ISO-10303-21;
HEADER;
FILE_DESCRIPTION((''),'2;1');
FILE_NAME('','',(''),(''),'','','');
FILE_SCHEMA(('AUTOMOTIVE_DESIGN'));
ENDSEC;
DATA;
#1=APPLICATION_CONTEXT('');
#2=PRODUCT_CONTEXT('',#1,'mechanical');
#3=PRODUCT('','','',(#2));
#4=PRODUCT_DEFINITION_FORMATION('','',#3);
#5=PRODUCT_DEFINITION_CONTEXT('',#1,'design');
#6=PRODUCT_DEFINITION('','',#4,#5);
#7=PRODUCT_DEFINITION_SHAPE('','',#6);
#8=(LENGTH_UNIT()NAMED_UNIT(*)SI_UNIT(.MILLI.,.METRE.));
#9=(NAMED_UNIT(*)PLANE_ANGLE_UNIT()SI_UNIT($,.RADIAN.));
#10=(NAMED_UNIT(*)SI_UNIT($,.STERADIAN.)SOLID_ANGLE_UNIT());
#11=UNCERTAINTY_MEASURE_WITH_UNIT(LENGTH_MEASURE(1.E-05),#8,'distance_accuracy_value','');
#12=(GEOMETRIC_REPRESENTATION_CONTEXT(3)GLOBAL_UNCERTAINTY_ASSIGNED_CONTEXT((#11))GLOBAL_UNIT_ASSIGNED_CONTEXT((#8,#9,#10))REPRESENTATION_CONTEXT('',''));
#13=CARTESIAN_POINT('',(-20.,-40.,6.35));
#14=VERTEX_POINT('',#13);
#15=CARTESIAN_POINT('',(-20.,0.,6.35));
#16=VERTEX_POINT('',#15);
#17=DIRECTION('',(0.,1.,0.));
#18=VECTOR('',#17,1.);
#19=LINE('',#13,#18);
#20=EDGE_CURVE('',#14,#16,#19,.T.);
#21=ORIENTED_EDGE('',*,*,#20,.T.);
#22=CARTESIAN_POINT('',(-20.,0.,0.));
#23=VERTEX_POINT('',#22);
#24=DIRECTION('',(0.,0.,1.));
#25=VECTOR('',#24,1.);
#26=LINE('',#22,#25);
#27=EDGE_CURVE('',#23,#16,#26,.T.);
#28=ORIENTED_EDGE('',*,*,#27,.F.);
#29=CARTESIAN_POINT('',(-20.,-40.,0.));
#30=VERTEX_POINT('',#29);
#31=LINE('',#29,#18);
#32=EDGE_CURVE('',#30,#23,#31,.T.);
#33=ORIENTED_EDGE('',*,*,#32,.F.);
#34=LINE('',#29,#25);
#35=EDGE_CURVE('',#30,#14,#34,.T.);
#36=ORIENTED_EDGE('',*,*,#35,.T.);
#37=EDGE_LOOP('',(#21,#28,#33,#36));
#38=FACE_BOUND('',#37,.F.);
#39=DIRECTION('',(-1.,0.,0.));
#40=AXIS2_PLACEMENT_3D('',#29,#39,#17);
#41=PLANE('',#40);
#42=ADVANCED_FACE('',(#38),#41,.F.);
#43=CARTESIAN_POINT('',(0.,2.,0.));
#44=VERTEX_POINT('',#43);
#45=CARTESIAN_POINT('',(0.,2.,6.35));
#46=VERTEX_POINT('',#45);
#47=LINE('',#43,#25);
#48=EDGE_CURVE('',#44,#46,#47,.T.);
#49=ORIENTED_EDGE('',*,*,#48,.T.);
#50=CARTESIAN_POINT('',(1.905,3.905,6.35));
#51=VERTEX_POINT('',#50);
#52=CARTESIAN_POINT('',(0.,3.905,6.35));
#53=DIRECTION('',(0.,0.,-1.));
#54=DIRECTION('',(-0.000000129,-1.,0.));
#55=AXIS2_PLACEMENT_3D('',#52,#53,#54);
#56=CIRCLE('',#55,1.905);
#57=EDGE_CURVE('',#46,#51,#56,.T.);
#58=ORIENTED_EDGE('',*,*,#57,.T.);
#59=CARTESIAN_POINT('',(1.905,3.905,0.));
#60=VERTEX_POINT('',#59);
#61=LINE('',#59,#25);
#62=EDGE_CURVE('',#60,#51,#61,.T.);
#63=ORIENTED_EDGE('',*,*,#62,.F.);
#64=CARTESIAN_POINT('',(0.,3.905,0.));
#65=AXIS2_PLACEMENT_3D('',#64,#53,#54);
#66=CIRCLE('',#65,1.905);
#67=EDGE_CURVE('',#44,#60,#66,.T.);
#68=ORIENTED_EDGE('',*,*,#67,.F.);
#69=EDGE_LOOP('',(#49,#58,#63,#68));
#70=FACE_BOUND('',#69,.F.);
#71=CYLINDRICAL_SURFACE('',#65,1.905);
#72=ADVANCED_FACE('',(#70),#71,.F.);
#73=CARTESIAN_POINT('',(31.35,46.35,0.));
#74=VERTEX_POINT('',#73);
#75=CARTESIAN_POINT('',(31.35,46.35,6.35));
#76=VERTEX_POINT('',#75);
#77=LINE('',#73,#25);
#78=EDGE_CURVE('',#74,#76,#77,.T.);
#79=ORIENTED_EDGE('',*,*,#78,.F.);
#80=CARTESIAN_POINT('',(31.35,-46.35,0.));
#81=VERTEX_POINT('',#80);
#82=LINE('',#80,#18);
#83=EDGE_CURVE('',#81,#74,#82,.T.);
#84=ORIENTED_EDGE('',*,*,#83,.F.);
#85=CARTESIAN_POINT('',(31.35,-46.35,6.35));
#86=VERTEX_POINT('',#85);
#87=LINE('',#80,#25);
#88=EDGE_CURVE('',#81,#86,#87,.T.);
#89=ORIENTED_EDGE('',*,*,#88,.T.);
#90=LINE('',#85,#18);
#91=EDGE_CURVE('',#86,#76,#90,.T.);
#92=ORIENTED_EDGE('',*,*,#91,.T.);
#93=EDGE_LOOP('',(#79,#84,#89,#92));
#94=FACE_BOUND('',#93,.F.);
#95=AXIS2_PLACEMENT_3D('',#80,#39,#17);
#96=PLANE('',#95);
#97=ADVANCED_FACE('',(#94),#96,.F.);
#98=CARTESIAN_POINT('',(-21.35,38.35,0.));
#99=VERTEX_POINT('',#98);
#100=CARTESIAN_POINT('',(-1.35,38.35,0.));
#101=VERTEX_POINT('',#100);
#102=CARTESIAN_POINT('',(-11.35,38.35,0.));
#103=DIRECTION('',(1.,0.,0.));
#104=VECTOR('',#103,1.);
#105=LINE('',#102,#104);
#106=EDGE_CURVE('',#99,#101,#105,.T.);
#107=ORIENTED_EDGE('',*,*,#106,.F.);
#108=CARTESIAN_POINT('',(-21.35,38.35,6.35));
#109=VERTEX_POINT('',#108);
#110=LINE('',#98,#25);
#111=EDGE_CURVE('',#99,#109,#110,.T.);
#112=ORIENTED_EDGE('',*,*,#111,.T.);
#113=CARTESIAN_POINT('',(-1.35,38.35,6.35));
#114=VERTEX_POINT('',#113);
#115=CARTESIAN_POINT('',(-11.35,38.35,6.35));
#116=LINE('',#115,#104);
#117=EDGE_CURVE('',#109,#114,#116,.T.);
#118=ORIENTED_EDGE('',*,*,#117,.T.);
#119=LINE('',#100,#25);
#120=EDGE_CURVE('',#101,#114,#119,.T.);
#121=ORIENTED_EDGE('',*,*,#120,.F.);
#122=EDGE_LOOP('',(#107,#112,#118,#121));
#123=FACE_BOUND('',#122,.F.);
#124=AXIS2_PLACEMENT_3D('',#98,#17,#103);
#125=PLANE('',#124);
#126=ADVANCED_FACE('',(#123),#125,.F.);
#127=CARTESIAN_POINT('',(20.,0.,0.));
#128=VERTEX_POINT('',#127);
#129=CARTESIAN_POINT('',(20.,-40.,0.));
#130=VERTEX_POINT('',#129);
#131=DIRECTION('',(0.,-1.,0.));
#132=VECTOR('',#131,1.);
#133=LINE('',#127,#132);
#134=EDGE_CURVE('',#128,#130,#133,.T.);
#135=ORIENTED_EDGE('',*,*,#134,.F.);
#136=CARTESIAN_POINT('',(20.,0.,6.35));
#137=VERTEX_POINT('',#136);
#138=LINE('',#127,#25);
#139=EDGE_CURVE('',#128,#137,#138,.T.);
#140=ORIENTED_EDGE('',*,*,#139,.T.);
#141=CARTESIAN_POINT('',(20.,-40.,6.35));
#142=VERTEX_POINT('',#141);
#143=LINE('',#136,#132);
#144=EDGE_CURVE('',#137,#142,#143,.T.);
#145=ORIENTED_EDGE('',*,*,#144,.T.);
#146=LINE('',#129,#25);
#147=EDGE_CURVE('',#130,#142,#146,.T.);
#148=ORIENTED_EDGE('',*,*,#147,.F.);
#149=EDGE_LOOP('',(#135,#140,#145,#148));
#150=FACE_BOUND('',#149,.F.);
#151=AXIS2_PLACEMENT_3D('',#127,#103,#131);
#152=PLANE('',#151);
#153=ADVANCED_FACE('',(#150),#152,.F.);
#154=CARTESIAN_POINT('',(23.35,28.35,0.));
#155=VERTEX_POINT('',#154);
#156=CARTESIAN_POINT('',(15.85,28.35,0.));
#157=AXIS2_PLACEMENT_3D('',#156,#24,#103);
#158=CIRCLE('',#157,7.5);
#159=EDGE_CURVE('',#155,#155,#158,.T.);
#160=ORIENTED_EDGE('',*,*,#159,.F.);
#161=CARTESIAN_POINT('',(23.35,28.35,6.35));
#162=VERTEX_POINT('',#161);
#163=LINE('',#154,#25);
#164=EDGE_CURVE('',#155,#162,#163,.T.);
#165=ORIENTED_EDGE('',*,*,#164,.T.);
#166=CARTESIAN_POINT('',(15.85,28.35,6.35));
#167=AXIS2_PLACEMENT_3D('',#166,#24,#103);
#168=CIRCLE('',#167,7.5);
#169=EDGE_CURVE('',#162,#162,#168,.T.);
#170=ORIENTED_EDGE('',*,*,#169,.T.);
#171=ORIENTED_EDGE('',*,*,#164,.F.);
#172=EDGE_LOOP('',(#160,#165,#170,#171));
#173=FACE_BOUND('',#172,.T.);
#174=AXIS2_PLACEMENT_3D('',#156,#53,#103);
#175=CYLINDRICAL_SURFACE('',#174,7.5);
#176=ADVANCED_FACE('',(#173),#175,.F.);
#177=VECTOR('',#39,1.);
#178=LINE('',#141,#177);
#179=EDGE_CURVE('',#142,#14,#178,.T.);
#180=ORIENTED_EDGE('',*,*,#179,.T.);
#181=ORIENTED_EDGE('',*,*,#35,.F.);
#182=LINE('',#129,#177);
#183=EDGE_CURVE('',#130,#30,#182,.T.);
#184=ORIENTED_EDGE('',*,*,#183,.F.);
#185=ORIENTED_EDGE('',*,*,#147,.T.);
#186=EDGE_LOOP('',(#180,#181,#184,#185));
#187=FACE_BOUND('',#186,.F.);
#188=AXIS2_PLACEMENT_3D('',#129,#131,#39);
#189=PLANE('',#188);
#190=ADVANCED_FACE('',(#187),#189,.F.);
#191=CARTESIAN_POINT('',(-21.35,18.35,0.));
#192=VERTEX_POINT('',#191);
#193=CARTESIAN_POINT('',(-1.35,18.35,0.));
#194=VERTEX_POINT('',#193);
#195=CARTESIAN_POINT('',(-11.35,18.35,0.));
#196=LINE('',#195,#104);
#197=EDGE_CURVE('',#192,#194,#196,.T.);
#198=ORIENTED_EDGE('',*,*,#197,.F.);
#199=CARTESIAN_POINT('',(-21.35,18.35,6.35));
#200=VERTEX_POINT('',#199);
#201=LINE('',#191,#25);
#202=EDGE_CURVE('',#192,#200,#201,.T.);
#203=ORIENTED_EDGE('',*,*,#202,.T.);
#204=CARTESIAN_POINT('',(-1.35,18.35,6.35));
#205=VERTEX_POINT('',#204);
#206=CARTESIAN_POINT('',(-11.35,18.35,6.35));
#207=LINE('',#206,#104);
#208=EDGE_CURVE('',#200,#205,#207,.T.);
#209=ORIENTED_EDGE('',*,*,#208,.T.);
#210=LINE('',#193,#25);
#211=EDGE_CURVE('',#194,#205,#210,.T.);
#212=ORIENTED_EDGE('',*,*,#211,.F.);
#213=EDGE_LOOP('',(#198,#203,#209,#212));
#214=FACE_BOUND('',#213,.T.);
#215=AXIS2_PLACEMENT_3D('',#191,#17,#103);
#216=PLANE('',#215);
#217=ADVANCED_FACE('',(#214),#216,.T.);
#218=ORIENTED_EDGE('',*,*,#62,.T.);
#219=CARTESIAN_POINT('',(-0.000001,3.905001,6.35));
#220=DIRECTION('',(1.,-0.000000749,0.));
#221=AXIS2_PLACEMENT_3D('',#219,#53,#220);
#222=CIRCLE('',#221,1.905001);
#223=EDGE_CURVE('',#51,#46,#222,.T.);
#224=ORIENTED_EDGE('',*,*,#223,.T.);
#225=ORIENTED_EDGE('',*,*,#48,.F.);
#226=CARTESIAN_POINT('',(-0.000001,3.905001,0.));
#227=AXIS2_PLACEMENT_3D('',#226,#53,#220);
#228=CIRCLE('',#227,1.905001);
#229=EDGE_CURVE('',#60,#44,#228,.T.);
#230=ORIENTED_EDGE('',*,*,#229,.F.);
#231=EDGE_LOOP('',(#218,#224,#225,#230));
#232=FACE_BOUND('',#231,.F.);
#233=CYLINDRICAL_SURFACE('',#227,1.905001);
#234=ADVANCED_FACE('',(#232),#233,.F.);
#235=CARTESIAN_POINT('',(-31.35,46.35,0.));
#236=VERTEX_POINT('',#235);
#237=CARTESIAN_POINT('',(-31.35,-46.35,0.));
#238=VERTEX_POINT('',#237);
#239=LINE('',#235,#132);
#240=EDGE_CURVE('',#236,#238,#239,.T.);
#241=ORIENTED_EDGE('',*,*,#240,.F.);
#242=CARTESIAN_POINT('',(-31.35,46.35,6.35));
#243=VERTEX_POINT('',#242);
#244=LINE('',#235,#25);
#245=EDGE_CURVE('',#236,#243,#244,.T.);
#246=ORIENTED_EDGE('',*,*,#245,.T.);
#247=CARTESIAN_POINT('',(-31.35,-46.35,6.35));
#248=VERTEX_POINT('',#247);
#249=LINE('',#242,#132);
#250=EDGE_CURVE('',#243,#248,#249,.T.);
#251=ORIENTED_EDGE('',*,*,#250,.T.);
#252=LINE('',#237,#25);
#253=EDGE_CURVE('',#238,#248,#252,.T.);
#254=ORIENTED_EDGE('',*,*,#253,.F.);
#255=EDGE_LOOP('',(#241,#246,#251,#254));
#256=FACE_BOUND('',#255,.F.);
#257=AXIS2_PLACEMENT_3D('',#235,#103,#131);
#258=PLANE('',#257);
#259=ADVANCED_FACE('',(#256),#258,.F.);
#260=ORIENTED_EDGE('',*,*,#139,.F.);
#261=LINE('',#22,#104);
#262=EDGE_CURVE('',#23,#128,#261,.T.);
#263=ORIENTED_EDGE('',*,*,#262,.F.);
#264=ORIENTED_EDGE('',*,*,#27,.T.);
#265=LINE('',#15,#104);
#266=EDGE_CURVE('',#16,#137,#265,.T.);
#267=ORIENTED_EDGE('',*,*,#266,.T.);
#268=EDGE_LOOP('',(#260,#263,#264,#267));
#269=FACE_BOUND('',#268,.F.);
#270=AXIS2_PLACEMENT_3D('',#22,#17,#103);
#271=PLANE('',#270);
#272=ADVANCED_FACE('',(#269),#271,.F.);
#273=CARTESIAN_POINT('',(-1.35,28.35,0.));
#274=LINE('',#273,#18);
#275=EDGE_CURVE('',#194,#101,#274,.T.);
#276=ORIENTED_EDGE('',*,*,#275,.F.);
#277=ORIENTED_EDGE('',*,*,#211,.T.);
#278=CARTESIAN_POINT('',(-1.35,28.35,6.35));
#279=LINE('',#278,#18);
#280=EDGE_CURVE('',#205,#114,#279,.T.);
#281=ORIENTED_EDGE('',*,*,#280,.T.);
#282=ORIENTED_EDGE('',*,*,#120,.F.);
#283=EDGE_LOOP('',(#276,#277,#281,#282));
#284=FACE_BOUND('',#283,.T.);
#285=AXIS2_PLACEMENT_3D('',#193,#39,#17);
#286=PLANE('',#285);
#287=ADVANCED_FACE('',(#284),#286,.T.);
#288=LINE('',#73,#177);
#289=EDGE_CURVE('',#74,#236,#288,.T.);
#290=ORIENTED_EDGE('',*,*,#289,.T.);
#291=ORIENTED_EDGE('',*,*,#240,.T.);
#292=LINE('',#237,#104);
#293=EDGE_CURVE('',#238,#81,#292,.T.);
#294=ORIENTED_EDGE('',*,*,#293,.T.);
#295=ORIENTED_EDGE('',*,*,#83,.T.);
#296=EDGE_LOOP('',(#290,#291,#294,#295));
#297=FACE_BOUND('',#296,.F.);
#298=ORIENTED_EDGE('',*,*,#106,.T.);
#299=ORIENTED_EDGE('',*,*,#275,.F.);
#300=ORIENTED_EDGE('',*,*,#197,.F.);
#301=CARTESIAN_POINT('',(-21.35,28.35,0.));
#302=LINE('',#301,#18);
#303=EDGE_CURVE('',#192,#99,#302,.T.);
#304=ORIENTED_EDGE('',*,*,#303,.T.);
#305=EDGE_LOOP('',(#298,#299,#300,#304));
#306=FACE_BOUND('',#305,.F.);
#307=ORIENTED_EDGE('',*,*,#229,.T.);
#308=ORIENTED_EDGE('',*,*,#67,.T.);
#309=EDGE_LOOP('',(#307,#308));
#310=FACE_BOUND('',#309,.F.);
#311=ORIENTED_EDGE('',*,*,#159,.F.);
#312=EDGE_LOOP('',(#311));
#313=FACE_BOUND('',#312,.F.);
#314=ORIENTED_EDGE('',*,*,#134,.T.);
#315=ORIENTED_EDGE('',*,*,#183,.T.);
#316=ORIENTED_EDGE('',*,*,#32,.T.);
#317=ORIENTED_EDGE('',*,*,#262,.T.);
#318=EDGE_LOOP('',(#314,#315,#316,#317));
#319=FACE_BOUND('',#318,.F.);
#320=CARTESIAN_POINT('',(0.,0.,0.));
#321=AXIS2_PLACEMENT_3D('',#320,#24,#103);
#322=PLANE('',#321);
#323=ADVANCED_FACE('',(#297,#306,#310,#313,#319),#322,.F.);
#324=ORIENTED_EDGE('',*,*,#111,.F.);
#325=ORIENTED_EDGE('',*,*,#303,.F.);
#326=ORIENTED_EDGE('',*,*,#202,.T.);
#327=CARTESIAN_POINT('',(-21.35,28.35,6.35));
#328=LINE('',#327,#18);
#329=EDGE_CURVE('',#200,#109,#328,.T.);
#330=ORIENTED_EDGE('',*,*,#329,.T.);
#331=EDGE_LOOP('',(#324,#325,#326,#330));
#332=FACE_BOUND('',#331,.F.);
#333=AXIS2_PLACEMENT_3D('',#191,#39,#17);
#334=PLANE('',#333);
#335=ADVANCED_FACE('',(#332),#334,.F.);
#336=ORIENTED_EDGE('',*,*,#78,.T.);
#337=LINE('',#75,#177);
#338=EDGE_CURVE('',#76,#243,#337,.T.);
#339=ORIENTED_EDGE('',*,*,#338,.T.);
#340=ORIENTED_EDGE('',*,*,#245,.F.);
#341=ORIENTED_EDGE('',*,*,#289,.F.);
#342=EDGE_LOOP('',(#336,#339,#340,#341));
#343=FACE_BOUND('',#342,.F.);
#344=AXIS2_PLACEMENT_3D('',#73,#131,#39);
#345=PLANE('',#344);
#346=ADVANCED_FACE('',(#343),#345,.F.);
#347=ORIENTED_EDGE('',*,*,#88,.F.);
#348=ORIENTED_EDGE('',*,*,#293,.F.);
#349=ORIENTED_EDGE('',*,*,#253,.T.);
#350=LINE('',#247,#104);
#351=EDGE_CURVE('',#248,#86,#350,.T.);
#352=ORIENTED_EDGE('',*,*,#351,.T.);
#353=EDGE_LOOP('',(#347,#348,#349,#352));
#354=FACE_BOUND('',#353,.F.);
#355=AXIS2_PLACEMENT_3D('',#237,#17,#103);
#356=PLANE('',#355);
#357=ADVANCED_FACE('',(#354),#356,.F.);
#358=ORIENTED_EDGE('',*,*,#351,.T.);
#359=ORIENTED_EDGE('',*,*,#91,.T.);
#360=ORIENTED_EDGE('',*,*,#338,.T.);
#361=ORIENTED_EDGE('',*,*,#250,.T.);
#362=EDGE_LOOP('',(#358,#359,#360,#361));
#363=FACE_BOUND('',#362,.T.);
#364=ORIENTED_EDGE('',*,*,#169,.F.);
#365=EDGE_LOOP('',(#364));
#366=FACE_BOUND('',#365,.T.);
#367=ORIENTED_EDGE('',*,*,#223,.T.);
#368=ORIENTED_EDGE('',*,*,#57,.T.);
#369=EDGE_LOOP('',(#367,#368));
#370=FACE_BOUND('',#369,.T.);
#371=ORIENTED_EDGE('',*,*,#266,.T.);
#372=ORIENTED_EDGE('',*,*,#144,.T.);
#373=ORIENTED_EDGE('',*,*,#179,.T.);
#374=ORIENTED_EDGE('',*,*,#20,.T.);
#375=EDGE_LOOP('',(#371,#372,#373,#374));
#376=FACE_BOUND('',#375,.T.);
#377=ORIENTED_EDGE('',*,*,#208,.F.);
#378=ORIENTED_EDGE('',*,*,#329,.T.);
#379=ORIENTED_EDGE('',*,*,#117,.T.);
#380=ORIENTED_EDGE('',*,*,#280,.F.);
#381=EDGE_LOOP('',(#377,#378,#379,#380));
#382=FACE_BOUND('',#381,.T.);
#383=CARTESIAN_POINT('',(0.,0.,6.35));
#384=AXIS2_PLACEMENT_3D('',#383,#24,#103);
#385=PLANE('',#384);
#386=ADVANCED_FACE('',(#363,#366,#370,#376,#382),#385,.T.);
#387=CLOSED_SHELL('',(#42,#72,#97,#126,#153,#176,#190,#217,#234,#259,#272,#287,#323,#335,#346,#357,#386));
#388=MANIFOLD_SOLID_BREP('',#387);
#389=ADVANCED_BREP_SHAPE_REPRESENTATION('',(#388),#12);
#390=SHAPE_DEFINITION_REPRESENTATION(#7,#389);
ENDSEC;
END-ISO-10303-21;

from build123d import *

# Parameters (mm, degrees)
F0_W     = 20
F0_H     = 20
F0_R     = 7.5
F1_DEPTH = 6.35


with BuildPart() as f1:
    # F0 (on Top) → F1 (new body)
    with BuildSketch(Plane.XY):
        Polygon((31.35, -46.35), (31.35, 46.35), (-31.35, 46.35), (-31.35, -46.35), (0, -46.35), align=None)
        Polygon((20, -40), (0, -40), (-20, -40), (-20, 0), (0, 0), (20, 0), align=None, mode=Mode.SUBTRACT)
        with Locations((-11.35, 28.35)):
            Rectangle(F0_W, F0_H, mode=Mode.SUBTRACT)
        with BuildLine():
            ThreePointArc((1.905, 3.905), (1.347038, 2.557962), (0, 2))
            ThreePointArc((0, 2), (-1.347038, 5.252038), (1.905, 3.905))
        make_face(mode=Mode.SUBTRACT)
        with Locations((15.85, 28.35)):
            Circle(F0_R, mode=Mode.SUBTRACT)
    extrude(amount=F1_DEPTH)


solid = f1.part
